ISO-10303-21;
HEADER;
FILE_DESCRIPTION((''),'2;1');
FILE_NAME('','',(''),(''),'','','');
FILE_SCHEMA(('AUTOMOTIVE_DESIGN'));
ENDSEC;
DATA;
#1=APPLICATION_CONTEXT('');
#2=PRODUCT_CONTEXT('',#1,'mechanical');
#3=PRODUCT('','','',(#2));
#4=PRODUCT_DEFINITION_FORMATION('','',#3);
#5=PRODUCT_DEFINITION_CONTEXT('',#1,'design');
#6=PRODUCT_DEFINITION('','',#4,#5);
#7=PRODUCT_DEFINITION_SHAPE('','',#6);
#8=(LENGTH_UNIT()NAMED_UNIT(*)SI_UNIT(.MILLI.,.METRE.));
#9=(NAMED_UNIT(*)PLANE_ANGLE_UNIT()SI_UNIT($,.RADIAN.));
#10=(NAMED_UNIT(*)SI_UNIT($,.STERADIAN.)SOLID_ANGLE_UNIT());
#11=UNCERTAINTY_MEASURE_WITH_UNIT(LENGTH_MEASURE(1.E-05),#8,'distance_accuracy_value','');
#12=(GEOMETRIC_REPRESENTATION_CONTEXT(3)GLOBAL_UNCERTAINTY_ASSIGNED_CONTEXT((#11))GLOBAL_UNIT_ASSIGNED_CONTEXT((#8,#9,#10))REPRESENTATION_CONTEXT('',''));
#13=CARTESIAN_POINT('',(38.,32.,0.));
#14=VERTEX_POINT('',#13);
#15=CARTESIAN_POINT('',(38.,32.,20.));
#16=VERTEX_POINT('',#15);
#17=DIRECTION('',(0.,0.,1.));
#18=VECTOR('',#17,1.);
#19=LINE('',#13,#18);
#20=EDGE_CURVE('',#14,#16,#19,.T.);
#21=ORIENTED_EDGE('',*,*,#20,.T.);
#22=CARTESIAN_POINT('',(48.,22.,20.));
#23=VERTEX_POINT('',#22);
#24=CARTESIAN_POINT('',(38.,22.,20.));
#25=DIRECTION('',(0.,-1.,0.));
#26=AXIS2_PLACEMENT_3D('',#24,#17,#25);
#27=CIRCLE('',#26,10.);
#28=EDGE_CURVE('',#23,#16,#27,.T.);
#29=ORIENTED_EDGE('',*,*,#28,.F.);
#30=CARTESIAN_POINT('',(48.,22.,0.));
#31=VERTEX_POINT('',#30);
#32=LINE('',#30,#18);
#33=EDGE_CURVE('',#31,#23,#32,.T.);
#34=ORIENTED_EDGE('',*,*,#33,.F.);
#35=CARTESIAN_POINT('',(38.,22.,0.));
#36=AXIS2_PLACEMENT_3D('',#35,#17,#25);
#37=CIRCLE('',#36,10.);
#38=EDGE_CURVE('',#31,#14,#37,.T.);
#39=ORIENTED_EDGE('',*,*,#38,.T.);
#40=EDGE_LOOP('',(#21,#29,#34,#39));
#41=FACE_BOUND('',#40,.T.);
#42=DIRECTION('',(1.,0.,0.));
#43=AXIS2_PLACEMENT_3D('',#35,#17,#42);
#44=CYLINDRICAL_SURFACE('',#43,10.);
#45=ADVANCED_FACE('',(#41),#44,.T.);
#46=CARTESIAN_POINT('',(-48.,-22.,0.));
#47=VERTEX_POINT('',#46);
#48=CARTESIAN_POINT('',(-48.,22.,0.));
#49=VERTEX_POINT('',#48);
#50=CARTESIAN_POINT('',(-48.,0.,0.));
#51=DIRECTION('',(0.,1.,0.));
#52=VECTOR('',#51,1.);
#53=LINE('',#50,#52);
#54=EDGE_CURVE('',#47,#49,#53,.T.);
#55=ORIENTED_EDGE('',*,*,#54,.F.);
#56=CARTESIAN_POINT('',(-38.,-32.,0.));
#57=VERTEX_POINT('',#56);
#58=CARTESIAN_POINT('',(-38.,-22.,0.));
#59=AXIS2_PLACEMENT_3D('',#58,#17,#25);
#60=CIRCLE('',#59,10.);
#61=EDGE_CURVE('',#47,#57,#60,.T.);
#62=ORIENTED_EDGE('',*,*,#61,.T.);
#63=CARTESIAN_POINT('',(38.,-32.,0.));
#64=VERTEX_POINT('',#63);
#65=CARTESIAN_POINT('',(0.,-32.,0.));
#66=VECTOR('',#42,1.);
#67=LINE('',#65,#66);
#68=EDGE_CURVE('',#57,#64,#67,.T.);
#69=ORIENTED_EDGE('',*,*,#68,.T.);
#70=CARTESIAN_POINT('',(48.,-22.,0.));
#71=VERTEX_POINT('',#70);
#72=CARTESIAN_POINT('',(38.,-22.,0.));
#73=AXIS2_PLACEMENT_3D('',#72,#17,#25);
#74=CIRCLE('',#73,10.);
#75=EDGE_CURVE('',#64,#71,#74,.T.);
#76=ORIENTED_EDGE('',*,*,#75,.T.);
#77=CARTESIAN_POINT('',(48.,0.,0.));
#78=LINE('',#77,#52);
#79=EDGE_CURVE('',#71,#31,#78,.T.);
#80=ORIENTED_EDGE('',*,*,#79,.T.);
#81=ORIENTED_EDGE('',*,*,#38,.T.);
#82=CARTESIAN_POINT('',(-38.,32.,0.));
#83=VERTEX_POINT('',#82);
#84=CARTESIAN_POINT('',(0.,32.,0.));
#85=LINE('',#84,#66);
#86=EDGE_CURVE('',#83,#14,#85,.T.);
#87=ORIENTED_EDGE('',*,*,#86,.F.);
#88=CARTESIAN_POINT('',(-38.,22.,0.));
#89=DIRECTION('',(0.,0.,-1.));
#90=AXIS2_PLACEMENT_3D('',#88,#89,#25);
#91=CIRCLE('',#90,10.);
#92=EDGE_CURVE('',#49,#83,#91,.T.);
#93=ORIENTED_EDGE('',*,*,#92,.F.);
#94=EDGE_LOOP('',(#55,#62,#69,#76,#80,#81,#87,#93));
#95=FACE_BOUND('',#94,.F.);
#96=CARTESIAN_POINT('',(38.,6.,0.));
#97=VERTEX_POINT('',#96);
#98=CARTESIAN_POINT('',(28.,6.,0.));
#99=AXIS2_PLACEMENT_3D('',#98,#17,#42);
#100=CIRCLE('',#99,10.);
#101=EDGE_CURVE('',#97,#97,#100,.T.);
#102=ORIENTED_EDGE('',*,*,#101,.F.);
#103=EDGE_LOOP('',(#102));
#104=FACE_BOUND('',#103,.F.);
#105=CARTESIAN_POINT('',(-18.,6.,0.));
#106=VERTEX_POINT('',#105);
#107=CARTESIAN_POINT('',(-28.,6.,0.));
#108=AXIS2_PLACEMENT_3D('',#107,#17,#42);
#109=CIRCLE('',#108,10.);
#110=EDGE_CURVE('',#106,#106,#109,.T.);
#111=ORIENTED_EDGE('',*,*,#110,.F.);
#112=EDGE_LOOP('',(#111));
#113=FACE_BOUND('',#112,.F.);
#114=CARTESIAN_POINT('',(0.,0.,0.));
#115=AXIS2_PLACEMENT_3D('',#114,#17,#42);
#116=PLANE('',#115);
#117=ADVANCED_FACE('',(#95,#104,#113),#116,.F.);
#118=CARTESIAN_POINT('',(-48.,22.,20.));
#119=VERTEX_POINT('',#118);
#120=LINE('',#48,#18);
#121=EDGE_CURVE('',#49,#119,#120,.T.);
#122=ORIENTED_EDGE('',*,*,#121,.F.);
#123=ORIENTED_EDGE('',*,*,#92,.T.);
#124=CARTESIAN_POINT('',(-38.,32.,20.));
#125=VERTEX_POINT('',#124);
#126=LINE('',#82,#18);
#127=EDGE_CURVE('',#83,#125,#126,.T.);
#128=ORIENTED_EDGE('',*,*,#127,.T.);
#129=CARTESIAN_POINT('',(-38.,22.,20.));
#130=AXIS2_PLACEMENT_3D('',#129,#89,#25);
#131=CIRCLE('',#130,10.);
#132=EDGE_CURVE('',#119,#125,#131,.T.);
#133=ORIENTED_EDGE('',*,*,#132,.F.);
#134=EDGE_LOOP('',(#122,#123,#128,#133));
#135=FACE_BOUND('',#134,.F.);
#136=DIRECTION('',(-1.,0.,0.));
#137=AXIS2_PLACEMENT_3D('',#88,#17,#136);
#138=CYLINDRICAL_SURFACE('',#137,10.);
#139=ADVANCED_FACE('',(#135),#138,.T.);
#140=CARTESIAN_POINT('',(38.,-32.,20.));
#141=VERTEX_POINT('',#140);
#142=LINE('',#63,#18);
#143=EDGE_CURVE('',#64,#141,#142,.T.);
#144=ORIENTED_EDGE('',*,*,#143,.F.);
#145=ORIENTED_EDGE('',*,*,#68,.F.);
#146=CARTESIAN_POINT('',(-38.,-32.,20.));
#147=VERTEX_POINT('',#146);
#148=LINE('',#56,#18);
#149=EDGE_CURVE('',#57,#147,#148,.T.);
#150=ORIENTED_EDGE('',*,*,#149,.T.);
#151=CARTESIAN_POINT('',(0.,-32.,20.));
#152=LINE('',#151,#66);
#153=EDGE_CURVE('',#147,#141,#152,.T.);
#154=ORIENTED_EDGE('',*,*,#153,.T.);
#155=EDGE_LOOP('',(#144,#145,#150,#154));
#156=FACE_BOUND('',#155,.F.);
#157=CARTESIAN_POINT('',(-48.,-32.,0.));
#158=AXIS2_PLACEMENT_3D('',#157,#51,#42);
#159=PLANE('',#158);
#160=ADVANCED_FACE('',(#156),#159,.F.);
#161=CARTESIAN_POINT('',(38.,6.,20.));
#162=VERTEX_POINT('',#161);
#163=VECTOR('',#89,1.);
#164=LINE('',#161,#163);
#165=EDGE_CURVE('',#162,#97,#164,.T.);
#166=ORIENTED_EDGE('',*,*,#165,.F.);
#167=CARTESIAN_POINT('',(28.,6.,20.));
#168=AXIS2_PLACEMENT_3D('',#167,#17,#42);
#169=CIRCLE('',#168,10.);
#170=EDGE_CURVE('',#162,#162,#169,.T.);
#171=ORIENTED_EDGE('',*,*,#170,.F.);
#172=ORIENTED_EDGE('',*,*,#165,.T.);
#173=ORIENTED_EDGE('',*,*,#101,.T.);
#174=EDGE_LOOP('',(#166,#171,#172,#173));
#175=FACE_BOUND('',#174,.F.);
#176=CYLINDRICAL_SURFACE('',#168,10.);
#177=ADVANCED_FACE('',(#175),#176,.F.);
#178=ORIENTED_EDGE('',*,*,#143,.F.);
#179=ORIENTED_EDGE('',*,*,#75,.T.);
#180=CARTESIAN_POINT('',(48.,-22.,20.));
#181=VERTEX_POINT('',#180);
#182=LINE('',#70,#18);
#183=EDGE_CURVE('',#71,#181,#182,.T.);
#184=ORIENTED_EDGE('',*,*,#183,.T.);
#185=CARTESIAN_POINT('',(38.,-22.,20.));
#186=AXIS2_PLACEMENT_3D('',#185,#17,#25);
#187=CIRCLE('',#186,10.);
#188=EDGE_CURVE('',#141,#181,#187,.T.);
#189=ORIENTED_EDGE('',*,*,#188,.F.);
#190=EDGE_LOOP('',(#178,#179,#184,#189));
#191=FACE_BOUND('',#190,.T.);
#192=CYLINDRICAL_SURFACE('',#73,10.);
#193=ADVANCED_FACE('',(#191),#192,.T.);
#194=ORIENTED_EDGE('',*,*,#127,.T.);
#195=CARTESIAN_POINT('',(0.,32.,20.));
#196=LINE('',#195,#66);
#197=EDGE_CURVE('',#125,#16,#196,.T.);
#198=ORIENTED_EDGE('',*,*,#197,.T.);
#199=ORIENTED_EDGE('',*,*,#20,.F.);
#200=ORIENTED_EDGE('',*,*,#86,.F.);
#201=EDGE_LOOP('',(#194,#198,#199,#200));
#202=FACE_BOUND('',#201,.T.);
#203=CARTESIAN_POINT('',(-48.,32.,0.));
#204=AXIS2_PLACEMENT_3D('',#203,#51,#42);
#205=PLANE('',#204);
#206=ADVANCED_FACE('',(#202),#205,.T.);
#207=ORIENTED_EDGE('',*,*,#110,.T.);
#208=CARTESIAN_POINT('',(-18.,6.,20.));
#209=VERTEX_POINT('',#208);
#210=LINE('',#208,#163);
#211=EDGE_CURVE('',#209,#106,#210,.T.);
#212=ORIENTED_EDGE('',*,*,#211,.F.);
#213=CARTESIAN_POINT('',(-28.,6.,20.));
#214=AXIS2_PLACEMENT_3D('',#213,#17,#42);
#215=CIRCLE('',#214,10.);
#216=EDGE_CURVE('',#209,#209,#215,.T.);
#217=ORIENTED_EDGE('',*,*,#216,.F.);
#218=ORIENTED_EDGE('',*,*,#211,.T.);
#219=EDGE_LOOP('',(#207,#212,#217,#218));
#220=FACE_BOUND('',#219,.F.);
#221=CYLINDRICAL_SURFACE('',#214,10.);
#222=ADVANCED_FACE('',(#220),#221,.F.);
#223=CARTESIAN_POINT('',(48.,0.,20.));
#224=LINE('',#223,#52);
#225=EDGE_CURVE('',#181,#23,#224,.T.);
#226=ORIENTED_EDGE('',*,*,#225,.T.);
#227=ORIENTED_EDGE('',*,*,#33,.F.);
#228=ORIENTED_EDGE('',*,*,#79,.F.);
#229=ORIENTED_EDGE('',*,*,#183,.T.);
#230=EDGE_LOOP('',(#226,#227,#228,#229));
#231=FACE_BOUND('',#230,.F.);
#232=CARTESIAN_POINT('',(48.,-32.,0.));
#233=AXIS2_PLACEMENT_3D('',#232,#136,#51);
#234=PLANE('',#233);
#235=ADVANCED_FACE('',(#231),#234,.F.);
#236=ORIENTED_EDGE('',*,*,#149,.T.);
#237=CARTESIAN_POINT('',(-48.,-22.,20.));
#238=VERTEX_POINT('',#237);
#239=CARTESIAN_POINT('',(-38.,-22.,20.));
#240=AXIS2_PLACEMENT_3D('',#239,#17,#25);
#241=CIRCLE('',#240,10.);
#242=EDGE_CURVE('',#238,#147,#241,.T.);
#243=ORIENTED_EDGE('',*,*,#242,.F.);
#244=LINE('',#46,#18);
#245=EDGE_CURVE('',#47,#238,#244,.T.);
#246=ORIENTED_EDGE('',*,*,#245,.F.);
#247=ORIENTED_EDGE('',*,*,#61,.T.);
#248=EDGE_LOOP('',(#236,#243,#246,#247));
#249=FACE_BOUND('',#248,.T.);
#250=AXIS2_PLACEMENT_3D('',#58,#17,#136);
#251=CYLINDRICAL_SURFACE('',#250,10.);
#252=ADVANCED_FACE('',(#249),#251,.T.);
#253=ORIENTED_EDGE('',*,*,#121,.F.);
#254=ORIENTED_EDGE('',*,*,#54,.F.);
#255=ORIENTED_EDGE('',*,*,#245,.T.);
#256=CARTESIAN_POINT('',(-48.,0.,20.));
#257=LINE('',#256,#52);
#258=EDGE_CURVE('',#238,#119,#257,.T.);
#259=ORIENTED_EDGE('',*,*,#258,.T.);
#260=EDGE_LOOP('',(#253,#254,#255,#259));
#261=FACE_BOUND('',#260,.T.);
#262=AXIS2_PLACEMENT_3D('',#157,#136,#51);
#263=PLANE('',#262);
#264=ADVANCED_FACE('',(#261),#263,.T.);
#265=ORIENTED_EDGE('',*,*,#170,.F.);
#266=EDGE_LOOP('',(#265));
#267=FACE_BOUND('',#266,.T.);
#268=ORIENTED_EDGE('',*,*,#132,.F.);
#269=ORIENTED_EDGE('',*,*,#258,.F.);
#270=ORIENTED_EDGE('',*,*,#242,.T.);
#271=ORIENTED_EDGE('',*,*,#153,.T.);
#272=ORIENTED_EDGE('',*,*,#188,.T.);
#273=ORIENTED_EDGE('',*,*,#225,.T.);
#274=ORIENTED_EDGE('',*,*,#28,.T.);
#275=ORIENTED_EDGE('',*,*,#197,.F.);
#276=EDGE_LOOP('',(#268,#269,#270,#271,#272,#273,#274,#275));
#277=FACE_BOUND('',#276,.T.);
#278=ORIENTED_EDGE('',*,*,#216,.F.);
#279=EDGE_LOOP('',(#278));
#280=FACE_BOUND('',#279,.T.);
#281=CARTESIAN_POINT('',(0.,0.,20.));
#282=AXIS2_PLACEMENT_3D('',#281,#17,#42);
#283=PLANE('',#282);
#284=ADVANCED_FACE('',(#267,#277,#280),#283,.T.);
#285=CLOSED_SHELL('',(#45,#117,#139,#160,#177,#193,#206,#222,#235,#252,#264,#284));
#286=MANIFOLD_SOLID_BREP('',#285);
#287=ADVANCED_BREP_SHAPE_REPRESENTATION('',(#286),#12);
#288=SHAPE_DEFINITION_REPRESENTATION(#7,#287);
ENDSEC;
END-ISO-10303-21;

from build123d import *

# Parameters (mm, degrees)
F0_W     = 96
F0_H     = 64
F1_DEPTH = 20
F2_R     = 10
F3_R     = 10
F4_DEPTH = 25
F5_DEPTH = 55.9


with BuildPart() as f1:
    # F0 (on Top) → F1 (new body)
    with BuildSketch(Plane.XY):
        Rectangle(F0_W, F0_H)
    extrude(amount=F1_DEPTH)

    # F2
    f2_edges = [f1.edges().sort_by_distance(p)[0] for p in [
        (48, -32, 10),
        (48, 32, 10),
        (-48, 32, 10),
        (-48, -32, 10),
    ]]
    fillet(f2_edges, radius=F2_R)

    # F3 (on face) → F4 (cut)
    with BuildSketch(Plane.XY.offset(20)):
        with Locations((28, 6)):
            Circle(F3_R)
    extrude(amount=-F4_DEPTH, mode=Mode.SUBTRACT)

    # F3 (on face) → F5 (cut)
    with BuildSketch(Plane.XY.offset(20)):
        with Locations((-28, 6)):
            Circle(F3_R)
    extrude(amount=-F5_DEPTH, mode=Mode.SUBTRACT)


solid = f1.part
